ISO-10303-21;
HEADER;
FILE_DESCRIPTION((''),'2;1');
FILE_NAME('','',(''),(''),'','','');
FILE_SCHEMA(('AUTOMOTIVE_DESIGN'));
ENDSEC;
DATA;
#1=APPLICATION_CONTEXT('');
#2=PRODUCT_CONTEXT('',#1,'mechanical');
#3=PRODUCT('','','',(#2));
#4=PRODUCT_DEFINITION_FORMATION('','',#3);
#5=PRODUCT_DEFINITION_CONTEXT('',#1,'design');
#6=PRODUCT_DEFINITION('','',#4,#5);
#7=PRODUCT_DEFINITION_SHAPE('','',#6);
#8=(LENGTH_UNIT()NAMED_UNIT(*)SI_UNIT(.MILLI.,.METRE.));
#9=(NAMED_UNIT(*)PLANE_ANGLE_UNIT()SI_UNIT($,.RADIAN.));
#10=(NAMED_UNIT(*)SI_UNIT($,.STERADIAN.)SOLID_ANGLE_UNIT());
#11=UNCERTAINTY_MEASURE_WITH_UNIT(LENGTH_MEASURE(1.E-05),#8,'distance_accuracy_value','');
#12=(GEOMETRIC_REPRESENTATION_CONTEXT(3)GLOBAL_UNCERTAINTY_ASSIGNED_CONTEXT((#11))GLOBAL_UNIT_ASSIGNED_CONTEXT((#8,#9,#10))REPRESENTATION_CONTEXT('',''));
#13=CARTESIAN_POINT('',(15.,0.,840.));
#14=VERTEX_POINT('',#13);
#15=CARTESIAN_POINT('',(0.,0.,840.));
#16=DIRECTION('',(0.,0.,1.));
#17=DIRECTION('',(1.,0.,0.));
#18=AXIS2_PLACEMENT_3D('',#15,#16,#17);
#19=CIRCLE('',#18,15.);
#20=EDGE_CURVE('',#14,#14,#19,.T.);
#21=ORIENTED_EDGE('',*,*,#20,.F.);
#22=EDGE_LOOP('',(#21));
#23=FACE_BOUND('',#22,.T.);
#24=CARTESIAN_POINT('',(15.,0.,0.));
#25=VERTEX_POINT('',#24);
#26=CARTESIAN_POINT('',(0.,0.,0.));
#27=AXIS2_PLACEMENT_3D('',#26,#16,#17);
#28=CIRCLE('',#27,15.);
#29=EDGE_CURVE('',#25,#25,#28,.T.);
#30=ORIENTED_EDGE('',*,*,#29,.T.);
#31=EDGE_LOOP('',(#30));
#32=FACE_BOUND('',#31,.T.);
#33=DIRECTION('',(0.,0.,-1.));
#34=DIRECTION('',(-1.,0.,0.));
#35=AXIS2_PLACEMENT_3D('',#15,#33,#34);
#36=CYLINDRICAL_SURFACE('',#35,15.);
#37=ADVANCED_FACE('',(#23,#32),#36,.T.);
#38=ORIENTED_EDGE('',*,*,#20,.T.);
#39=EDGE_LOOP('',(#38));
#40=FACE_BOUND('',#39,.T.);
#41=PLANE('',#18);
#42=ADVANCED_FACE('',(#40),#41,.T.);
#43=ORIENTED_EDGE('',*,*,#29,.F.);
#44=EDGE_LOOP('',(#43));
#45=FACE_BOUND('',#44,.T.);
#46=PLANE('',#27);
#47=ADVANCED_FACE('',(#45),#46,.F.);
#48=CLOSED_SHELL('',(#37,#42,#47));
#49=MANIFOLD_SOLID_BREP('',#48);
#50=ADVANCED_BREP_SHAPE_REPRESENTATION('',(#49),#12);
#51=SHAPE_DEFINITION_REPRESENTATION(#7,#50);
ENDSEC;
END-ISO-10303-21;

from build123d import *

# Parameters (mm, degrees)
SKETCH1_R           = 15
BOSS_EXTRUDE1_DEPTH = 840


with BuildPart() as part:
    # Sketch1 → Boss-Extrude1 (new body)
    with BuildSketch(Plane.XY):
        Circle(SKETCH1_R)
    extrude(amount=BOSS_EXTRUDE1_DEPTH)


solid = part.part
